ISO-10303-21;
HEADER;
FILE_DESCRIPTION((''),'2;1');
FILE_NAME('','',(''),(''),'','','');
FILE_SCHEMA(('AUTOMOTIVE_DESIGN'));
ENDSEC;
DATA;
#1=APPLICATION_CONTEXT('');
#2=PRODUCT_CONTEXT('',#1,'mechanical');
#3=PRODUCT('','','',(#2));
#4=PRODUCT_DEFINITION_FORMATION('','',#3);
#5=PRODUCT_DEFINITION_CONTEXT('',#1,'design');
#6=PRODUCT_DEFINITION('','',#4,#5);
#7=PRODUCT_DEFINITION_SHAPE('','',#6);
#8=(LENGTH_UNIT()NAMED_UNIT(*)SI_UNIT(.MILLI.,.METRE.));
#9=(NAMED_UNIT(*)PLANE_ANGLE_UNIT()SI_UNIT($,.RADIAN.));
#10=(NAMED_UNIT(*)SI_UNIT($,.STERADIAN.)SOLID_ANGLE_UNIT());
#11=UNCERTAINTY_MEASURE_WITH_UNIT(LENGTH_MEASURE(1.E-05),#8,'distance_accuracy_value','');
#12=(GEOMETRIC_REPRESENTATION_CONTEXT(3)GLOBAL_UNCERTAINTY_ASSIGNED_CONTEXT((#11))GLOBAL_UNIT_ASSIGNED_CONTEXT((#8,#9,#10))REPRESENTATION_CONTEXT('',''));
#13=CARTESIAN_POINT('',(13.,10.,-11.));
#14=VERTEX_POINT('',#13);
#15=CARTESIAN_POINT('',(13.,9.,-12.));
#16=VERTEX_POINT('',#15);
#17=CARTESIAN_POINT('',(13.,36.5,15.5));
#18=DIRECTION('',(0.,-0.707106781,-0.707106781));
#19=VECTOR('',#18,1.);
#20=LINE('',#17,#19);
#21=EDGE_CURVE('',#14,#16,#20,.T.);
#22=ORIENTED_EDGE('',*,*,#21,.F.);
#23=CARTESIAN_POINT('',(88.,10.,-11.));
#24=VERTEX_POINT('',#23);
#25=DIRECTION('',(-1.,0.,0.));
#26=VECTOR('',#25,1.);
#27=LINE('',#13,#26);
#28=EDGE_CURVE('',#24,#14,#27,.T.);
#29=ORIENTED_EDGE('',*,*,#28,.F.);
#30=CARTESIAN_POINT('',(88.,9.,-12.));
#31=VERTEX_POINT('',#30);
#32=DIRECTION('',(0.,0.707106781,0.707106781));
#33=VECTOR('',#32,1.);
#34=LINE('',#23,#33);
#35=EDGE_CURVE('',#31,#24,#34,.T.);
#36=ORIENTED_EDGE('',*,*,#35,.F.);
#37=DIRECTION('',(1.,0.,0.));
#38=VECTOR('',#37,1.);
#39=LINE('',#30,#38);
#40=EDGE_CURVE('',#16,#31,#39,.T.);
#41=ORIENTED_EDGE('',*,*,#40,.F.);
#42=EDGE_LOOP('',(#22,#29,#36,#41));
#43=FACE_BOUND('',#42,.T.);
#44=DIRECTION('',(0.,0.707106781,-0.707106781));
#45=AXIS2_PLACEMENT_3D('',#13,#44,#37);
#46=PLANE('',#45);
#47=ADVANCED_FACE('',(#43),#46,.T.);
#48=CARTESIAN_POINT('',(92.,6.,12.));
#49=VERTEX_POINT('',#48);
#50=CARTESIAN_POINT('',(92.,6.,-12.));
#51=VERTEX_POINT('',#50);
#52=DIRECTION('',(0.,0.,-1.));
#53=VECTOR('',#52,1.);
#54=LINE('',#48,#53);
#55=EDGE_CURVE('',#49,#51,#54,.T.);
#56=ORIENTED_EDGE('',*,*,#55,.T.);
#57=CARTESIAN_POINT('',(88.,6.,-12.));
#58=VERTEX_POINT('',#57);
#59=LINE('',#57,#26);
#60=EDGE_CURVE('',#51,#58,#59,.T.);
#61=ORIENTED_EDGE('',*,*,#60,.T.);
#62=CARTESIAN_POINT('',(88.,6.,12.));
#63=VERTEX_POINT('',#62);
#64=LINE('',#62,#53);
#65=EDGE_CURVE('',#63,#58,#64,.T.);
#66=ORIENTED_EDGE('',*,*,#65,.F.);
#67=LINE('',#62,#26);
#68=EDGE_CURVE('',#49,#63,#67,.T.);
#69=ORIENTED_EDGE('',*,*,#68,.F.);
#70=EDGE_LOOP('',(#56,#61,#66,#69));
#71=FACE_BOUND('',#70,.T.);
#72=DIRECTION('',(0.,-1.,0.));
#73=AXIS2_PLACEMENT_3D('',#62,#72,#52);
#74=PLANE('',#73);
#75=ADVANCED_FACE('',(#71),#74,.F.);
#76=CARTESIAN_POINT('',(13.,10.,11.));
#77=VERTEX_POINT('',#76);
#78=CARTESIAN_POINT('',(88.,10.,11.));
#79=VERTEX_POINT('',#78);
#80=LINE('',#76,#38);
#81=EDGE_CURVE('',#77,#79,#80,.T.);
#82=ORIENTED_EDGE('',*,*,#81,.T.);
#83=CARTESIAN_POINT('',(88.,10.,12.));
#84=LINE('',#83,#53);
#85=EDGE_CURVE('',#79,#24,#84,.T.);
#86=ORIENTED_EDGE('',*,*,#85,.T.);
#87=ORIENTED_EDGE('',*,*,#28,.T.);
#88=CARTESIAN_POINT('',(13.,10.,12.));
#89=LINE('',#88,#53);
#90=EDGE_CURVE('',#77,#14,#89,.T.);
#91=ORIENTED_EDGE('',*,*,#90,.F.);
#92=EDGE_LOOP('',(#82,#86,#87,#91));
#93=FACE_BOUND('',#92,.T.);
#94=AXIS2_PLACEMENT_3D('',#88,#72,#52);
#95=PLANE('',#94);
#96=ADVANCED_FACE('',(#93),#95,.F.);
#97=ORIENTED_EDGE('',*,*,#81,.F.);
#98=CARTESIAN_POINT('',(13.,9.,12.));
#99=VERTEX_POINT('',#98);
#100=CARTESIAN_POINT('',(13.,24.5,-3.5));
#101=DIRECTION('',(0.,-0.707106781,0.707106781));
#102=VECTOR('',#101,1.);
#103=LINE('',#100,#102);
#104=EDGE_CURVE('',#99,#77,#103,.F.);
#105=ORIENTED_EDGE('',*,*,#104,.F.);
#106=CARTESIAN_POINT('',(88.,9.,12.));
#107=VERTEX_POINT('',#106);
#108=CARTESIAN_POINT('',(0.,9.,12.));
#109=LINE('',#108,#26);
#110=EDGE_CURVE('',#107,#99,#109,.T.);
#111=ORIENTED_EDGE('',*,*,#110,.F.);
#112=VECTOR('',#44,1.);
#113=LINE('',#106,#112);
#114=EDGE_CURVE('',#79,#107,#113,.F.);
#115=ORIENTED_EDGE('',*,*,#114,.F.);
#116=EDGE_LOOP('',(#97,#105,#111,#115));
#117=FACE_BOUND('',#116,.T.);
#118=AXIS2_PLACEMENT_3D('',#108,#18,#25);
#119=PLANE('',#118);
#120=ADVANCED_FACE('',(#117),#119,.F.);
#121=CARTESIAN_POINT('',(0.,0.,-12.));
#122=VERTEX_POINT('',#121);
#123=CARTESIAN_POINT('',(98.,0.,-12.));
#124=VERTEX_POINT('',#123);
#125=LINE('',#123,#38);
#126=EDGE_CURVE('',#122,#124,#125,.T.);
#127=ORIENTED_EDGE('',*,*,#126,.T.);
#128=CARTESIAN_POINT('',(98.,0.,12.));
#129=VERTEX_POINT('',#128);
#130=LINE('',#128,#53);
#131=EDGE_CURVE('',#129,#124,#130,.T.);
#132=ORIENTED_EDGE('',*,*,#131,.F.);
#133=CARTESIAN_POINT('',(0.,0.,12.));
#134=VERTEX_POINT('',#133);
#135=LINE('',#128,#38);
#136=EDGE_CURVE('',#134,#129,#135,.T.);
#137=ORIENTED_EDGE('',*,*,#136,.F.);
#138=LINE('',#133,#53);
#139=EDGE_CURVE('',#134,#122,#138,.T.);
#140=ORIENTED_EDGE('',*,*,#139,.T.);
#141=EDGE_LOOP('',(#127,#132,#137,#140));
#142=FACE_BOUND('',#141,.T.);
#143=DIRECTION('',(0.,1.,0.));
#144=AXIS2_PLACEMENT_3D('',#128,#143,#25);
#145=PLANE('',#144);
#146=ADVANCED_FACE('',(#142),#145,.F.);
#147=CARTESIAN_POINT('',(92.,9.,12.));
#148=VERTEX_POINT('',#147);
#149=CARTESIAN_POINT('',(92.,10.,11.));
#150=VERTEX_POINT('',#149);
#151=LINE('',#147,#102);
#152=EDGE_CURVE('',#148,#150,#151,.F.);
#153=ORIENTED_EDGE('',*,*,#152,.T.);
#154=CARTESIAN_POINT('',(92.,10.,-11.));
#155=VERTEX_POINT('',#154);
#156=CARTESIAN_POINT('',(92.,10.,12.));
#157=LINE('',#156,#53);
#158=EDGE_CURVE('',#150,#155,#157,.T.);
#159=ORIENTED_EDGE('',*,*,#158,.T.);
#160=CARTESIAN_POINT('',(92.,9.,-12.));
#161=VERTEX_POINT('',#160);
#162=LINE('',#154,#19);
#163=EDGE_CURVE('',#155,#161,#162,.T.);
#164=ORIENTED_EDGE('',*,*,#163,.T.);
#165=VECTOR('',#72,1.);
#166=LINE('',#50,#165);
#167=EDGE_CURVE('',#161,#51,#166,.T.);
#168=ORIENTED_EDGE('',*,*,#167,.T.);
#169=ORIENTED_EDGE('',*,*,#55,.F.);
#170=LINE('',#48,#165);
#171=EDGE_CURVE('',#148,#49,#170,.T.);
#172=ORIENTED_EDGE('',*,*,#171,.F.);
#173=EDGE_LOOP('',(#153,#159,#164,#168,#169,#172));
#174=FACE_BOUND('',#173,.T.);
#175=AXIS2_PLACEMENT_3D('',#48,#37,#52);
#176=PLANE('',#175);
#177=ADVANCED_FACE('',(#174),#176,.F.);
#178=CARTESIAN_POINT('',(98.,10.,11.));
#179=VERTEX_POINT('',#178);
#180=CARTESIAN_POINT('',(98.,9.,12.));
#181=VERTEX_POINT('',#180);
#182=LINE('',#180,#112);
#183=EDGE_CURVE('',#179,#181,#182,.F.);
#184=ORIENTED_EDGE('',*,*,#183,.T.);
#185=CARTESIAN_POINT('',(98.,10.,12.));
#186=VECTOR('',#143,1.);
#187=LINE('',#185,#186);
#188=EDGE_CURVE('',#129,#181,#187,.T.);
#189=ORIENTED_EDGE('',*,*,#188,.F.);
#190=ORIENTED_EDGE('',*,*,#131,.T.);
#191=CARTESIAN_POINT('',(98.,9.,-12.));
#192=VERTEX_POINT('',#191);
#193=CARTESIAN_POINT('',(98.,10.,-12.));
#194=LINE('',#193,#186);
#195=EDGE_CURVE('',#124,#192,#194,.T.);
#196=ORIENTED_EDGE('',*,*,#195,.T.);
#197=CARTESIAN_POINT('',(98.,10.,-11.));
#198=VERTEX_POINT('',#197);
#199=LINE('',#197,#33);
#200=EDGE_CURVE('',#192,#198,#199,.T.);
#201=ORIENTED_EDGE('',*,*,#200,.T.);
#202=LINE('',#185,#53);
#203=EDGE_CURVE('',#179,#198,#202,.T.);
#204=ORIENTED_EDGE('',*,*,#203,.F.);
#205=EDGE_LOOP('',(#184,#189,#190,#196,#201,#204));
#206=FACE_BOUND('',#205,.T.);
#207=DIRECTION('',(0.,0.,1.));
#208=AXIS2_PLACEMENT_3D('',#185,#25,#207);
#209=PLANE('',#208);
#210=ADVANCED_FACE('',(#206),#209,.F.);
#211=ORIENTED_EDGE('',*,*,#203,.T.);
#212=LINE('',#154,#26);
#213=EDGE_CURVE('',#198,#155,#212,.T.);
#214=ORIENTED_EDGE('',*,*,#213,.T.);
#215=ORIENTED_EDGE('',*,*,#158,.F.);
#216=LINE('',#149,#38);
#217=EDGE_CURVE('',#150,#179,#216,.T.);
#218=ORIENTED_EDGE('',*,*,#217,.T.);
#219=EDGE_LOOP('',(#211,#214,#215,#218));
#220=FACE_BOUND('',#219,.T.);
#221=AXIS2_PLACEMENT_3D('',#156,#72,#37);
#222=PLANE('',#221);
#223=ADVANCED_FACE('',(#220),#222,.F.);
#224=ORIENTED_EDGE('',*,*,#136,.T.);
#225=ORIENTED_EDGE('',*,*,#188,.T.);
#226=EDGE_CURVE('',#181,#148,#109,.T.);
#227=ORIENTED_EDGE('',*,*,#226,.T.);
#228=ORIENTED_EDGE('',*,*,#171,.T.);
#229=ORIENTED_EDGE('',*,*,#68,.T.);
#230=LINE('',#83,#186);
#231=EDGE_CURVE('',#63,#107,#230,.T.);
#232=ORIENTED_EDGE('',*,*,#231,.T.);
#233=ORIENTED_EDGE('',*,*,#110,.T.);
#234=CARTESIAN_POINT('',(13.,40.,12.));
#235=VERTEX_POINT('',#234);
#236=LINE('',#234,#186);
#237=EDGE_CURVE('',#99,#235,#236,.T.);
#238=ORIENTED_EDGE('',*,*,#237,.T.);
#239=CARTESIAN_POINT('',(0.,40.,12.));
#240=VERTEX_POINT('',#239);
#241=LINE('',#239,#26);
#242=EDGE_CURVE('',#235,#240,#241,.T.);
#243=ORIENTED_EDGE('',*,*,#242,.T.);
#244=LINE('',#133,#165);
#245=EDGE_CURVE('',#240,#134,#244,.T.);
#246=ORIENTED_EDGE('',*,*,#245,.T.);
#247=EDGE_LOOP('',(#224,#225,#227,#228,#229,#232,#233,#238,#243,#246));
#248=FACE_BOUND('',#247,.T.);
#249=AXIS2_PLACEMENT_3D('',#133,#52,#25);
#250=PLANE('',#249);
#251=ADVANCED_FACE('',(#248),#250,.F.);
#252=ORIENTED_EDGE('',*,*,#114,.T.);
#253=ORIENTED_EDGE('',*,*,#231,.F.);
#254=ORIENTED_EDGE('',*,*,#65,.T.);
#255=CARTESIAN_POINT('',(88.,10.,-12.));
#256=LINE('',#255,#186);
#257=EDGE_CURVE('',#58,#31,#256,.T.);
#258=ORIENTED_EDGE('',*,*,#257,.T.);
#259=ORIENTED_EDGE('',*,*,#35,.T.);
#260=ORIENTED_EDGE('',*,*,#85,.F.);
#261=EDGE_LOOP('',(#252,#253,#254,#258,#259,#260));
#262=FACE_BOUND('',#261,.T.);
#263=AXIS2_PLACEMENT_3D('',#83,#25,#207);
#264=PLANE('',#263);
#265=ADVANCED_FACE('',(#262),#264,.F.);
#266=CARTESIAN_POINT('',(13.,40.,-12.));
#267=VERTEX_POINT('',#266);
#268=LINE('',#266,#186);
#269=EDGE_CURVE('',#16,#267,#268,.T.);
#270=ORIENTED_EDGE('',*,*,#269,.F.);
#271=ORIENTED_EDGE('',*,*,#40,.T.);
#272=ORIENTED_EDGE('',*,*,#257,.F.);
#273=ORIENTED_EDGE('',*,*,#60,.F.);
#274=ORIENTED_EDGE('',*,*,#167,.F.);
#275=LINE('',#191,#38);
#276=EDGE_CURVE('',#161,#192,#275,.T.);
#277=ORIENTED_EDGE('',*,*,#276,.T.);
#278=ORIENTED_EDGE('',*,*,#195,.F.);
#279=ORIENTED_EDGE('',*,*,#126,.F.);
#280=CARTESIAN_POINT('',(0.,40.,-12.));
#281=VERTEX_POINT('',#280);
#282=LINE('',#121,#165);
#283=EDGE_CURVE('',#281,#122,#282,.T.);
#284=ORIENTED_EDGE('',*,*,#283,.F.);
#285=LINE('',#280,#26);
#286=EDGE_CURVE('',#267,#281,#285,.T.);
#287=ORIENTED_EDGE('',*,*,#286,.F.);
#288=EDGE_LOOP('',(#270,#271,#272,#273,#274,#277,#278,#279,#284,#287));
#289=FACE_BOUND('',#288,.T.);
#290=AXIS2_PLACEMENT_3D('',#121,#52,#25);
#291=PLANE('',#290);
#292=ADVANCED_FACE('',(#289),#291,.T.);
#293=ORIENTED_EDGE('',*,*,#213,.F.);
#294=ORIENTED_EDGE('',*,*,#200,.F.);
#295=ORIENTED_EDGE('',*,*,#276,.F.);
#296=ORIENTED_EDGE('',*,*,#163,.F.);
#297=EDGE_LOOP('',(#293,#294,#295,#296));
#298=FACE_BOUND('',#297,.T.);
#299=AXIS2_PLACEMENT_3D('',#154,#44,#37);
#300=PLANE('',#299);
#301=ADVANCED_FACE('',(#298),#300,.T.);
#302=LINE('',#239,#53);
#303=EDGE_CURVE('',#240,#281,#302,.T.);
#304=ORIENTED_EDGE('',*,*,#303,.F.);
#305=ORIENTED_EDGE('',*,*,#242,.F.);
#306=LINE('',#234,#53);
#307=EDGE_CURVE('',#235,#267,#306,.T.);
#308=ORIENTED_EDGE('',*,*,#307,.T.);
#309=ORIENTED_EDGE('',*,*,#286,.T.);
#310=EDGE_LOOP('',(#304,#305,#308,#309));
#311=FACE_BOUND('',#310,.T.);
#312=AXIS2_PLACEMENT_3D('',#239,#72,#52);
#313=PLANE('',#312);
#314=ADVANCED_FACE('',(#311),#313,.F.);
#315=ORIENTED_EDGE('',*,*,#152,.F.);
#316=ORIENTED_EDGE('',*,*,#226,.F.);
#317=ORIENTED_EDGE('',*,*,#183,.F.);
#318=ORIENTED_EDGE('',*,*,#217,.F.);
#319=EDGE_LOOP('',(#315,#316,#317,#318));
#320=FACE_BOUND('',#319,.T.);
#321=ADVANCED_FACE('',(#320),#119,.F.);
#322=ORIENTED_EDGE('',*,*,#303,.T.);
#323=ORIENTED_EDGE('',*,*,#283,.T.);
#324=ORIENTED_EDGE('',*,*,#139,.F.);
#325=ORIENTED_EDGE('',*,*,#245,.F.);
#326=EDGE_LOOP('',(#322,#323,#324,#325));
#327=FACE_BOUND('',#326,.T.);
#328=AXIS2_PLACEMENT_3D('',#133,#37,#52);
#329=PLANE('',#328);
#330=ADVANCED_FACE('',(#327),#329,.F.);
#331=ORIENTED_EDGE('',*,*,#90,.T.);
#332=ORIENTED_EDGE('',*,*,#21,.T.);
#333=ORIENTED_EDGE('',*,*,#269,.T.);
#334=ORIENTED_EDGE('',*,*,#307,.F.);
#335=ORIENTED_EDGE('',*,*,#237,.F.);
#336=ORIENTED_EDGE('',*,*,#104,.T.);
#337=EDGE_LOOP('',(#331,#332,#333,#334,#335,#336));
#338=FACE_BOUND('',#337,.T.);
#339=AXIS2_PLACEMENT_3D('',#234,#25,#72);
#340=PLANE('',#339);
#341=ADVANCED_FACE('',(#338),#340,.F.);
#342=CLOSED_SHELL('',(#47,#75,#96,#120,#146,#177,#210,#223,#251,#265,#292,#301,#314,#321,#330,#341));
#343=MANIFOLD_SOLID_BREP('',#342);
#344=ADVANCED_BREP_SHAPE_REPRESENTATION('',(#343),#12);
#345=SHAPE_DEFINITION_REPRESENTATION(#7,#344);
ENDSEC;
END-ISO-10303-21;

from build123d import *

# Parameters (mm, degrees)
BOSS_EXTRUDE1_DEPTH = 12
CHAMFER1_SIZE       = 1


with BuildPart() as part:
    # Sketch1 → Boss-Extrude1 (new, symmetric)
    with BuildSketch(Plane.XY):
        Polygon((0, 0), (0, 40), (13, 40), (13, 10), (88, 10), (88, 6), (92, 6), (92, 10), (98, 10), (98, 0), align=None)
    extrude(amount=BOSS_EXTRUDE1_DEPTH, both=True)

    # Chamfer1
    chamfer1_edges = [part.edges().sort_by_distance(p)[0] for p in [
        (50.5, 10, -12),
        (95, 10, 12),
        (95, 10, -12),
        (50.5, 10, 12),
    ]]
    chamfer(chamfer1_edges, length=CHAMFER1_SIZE)


solid = part.part
